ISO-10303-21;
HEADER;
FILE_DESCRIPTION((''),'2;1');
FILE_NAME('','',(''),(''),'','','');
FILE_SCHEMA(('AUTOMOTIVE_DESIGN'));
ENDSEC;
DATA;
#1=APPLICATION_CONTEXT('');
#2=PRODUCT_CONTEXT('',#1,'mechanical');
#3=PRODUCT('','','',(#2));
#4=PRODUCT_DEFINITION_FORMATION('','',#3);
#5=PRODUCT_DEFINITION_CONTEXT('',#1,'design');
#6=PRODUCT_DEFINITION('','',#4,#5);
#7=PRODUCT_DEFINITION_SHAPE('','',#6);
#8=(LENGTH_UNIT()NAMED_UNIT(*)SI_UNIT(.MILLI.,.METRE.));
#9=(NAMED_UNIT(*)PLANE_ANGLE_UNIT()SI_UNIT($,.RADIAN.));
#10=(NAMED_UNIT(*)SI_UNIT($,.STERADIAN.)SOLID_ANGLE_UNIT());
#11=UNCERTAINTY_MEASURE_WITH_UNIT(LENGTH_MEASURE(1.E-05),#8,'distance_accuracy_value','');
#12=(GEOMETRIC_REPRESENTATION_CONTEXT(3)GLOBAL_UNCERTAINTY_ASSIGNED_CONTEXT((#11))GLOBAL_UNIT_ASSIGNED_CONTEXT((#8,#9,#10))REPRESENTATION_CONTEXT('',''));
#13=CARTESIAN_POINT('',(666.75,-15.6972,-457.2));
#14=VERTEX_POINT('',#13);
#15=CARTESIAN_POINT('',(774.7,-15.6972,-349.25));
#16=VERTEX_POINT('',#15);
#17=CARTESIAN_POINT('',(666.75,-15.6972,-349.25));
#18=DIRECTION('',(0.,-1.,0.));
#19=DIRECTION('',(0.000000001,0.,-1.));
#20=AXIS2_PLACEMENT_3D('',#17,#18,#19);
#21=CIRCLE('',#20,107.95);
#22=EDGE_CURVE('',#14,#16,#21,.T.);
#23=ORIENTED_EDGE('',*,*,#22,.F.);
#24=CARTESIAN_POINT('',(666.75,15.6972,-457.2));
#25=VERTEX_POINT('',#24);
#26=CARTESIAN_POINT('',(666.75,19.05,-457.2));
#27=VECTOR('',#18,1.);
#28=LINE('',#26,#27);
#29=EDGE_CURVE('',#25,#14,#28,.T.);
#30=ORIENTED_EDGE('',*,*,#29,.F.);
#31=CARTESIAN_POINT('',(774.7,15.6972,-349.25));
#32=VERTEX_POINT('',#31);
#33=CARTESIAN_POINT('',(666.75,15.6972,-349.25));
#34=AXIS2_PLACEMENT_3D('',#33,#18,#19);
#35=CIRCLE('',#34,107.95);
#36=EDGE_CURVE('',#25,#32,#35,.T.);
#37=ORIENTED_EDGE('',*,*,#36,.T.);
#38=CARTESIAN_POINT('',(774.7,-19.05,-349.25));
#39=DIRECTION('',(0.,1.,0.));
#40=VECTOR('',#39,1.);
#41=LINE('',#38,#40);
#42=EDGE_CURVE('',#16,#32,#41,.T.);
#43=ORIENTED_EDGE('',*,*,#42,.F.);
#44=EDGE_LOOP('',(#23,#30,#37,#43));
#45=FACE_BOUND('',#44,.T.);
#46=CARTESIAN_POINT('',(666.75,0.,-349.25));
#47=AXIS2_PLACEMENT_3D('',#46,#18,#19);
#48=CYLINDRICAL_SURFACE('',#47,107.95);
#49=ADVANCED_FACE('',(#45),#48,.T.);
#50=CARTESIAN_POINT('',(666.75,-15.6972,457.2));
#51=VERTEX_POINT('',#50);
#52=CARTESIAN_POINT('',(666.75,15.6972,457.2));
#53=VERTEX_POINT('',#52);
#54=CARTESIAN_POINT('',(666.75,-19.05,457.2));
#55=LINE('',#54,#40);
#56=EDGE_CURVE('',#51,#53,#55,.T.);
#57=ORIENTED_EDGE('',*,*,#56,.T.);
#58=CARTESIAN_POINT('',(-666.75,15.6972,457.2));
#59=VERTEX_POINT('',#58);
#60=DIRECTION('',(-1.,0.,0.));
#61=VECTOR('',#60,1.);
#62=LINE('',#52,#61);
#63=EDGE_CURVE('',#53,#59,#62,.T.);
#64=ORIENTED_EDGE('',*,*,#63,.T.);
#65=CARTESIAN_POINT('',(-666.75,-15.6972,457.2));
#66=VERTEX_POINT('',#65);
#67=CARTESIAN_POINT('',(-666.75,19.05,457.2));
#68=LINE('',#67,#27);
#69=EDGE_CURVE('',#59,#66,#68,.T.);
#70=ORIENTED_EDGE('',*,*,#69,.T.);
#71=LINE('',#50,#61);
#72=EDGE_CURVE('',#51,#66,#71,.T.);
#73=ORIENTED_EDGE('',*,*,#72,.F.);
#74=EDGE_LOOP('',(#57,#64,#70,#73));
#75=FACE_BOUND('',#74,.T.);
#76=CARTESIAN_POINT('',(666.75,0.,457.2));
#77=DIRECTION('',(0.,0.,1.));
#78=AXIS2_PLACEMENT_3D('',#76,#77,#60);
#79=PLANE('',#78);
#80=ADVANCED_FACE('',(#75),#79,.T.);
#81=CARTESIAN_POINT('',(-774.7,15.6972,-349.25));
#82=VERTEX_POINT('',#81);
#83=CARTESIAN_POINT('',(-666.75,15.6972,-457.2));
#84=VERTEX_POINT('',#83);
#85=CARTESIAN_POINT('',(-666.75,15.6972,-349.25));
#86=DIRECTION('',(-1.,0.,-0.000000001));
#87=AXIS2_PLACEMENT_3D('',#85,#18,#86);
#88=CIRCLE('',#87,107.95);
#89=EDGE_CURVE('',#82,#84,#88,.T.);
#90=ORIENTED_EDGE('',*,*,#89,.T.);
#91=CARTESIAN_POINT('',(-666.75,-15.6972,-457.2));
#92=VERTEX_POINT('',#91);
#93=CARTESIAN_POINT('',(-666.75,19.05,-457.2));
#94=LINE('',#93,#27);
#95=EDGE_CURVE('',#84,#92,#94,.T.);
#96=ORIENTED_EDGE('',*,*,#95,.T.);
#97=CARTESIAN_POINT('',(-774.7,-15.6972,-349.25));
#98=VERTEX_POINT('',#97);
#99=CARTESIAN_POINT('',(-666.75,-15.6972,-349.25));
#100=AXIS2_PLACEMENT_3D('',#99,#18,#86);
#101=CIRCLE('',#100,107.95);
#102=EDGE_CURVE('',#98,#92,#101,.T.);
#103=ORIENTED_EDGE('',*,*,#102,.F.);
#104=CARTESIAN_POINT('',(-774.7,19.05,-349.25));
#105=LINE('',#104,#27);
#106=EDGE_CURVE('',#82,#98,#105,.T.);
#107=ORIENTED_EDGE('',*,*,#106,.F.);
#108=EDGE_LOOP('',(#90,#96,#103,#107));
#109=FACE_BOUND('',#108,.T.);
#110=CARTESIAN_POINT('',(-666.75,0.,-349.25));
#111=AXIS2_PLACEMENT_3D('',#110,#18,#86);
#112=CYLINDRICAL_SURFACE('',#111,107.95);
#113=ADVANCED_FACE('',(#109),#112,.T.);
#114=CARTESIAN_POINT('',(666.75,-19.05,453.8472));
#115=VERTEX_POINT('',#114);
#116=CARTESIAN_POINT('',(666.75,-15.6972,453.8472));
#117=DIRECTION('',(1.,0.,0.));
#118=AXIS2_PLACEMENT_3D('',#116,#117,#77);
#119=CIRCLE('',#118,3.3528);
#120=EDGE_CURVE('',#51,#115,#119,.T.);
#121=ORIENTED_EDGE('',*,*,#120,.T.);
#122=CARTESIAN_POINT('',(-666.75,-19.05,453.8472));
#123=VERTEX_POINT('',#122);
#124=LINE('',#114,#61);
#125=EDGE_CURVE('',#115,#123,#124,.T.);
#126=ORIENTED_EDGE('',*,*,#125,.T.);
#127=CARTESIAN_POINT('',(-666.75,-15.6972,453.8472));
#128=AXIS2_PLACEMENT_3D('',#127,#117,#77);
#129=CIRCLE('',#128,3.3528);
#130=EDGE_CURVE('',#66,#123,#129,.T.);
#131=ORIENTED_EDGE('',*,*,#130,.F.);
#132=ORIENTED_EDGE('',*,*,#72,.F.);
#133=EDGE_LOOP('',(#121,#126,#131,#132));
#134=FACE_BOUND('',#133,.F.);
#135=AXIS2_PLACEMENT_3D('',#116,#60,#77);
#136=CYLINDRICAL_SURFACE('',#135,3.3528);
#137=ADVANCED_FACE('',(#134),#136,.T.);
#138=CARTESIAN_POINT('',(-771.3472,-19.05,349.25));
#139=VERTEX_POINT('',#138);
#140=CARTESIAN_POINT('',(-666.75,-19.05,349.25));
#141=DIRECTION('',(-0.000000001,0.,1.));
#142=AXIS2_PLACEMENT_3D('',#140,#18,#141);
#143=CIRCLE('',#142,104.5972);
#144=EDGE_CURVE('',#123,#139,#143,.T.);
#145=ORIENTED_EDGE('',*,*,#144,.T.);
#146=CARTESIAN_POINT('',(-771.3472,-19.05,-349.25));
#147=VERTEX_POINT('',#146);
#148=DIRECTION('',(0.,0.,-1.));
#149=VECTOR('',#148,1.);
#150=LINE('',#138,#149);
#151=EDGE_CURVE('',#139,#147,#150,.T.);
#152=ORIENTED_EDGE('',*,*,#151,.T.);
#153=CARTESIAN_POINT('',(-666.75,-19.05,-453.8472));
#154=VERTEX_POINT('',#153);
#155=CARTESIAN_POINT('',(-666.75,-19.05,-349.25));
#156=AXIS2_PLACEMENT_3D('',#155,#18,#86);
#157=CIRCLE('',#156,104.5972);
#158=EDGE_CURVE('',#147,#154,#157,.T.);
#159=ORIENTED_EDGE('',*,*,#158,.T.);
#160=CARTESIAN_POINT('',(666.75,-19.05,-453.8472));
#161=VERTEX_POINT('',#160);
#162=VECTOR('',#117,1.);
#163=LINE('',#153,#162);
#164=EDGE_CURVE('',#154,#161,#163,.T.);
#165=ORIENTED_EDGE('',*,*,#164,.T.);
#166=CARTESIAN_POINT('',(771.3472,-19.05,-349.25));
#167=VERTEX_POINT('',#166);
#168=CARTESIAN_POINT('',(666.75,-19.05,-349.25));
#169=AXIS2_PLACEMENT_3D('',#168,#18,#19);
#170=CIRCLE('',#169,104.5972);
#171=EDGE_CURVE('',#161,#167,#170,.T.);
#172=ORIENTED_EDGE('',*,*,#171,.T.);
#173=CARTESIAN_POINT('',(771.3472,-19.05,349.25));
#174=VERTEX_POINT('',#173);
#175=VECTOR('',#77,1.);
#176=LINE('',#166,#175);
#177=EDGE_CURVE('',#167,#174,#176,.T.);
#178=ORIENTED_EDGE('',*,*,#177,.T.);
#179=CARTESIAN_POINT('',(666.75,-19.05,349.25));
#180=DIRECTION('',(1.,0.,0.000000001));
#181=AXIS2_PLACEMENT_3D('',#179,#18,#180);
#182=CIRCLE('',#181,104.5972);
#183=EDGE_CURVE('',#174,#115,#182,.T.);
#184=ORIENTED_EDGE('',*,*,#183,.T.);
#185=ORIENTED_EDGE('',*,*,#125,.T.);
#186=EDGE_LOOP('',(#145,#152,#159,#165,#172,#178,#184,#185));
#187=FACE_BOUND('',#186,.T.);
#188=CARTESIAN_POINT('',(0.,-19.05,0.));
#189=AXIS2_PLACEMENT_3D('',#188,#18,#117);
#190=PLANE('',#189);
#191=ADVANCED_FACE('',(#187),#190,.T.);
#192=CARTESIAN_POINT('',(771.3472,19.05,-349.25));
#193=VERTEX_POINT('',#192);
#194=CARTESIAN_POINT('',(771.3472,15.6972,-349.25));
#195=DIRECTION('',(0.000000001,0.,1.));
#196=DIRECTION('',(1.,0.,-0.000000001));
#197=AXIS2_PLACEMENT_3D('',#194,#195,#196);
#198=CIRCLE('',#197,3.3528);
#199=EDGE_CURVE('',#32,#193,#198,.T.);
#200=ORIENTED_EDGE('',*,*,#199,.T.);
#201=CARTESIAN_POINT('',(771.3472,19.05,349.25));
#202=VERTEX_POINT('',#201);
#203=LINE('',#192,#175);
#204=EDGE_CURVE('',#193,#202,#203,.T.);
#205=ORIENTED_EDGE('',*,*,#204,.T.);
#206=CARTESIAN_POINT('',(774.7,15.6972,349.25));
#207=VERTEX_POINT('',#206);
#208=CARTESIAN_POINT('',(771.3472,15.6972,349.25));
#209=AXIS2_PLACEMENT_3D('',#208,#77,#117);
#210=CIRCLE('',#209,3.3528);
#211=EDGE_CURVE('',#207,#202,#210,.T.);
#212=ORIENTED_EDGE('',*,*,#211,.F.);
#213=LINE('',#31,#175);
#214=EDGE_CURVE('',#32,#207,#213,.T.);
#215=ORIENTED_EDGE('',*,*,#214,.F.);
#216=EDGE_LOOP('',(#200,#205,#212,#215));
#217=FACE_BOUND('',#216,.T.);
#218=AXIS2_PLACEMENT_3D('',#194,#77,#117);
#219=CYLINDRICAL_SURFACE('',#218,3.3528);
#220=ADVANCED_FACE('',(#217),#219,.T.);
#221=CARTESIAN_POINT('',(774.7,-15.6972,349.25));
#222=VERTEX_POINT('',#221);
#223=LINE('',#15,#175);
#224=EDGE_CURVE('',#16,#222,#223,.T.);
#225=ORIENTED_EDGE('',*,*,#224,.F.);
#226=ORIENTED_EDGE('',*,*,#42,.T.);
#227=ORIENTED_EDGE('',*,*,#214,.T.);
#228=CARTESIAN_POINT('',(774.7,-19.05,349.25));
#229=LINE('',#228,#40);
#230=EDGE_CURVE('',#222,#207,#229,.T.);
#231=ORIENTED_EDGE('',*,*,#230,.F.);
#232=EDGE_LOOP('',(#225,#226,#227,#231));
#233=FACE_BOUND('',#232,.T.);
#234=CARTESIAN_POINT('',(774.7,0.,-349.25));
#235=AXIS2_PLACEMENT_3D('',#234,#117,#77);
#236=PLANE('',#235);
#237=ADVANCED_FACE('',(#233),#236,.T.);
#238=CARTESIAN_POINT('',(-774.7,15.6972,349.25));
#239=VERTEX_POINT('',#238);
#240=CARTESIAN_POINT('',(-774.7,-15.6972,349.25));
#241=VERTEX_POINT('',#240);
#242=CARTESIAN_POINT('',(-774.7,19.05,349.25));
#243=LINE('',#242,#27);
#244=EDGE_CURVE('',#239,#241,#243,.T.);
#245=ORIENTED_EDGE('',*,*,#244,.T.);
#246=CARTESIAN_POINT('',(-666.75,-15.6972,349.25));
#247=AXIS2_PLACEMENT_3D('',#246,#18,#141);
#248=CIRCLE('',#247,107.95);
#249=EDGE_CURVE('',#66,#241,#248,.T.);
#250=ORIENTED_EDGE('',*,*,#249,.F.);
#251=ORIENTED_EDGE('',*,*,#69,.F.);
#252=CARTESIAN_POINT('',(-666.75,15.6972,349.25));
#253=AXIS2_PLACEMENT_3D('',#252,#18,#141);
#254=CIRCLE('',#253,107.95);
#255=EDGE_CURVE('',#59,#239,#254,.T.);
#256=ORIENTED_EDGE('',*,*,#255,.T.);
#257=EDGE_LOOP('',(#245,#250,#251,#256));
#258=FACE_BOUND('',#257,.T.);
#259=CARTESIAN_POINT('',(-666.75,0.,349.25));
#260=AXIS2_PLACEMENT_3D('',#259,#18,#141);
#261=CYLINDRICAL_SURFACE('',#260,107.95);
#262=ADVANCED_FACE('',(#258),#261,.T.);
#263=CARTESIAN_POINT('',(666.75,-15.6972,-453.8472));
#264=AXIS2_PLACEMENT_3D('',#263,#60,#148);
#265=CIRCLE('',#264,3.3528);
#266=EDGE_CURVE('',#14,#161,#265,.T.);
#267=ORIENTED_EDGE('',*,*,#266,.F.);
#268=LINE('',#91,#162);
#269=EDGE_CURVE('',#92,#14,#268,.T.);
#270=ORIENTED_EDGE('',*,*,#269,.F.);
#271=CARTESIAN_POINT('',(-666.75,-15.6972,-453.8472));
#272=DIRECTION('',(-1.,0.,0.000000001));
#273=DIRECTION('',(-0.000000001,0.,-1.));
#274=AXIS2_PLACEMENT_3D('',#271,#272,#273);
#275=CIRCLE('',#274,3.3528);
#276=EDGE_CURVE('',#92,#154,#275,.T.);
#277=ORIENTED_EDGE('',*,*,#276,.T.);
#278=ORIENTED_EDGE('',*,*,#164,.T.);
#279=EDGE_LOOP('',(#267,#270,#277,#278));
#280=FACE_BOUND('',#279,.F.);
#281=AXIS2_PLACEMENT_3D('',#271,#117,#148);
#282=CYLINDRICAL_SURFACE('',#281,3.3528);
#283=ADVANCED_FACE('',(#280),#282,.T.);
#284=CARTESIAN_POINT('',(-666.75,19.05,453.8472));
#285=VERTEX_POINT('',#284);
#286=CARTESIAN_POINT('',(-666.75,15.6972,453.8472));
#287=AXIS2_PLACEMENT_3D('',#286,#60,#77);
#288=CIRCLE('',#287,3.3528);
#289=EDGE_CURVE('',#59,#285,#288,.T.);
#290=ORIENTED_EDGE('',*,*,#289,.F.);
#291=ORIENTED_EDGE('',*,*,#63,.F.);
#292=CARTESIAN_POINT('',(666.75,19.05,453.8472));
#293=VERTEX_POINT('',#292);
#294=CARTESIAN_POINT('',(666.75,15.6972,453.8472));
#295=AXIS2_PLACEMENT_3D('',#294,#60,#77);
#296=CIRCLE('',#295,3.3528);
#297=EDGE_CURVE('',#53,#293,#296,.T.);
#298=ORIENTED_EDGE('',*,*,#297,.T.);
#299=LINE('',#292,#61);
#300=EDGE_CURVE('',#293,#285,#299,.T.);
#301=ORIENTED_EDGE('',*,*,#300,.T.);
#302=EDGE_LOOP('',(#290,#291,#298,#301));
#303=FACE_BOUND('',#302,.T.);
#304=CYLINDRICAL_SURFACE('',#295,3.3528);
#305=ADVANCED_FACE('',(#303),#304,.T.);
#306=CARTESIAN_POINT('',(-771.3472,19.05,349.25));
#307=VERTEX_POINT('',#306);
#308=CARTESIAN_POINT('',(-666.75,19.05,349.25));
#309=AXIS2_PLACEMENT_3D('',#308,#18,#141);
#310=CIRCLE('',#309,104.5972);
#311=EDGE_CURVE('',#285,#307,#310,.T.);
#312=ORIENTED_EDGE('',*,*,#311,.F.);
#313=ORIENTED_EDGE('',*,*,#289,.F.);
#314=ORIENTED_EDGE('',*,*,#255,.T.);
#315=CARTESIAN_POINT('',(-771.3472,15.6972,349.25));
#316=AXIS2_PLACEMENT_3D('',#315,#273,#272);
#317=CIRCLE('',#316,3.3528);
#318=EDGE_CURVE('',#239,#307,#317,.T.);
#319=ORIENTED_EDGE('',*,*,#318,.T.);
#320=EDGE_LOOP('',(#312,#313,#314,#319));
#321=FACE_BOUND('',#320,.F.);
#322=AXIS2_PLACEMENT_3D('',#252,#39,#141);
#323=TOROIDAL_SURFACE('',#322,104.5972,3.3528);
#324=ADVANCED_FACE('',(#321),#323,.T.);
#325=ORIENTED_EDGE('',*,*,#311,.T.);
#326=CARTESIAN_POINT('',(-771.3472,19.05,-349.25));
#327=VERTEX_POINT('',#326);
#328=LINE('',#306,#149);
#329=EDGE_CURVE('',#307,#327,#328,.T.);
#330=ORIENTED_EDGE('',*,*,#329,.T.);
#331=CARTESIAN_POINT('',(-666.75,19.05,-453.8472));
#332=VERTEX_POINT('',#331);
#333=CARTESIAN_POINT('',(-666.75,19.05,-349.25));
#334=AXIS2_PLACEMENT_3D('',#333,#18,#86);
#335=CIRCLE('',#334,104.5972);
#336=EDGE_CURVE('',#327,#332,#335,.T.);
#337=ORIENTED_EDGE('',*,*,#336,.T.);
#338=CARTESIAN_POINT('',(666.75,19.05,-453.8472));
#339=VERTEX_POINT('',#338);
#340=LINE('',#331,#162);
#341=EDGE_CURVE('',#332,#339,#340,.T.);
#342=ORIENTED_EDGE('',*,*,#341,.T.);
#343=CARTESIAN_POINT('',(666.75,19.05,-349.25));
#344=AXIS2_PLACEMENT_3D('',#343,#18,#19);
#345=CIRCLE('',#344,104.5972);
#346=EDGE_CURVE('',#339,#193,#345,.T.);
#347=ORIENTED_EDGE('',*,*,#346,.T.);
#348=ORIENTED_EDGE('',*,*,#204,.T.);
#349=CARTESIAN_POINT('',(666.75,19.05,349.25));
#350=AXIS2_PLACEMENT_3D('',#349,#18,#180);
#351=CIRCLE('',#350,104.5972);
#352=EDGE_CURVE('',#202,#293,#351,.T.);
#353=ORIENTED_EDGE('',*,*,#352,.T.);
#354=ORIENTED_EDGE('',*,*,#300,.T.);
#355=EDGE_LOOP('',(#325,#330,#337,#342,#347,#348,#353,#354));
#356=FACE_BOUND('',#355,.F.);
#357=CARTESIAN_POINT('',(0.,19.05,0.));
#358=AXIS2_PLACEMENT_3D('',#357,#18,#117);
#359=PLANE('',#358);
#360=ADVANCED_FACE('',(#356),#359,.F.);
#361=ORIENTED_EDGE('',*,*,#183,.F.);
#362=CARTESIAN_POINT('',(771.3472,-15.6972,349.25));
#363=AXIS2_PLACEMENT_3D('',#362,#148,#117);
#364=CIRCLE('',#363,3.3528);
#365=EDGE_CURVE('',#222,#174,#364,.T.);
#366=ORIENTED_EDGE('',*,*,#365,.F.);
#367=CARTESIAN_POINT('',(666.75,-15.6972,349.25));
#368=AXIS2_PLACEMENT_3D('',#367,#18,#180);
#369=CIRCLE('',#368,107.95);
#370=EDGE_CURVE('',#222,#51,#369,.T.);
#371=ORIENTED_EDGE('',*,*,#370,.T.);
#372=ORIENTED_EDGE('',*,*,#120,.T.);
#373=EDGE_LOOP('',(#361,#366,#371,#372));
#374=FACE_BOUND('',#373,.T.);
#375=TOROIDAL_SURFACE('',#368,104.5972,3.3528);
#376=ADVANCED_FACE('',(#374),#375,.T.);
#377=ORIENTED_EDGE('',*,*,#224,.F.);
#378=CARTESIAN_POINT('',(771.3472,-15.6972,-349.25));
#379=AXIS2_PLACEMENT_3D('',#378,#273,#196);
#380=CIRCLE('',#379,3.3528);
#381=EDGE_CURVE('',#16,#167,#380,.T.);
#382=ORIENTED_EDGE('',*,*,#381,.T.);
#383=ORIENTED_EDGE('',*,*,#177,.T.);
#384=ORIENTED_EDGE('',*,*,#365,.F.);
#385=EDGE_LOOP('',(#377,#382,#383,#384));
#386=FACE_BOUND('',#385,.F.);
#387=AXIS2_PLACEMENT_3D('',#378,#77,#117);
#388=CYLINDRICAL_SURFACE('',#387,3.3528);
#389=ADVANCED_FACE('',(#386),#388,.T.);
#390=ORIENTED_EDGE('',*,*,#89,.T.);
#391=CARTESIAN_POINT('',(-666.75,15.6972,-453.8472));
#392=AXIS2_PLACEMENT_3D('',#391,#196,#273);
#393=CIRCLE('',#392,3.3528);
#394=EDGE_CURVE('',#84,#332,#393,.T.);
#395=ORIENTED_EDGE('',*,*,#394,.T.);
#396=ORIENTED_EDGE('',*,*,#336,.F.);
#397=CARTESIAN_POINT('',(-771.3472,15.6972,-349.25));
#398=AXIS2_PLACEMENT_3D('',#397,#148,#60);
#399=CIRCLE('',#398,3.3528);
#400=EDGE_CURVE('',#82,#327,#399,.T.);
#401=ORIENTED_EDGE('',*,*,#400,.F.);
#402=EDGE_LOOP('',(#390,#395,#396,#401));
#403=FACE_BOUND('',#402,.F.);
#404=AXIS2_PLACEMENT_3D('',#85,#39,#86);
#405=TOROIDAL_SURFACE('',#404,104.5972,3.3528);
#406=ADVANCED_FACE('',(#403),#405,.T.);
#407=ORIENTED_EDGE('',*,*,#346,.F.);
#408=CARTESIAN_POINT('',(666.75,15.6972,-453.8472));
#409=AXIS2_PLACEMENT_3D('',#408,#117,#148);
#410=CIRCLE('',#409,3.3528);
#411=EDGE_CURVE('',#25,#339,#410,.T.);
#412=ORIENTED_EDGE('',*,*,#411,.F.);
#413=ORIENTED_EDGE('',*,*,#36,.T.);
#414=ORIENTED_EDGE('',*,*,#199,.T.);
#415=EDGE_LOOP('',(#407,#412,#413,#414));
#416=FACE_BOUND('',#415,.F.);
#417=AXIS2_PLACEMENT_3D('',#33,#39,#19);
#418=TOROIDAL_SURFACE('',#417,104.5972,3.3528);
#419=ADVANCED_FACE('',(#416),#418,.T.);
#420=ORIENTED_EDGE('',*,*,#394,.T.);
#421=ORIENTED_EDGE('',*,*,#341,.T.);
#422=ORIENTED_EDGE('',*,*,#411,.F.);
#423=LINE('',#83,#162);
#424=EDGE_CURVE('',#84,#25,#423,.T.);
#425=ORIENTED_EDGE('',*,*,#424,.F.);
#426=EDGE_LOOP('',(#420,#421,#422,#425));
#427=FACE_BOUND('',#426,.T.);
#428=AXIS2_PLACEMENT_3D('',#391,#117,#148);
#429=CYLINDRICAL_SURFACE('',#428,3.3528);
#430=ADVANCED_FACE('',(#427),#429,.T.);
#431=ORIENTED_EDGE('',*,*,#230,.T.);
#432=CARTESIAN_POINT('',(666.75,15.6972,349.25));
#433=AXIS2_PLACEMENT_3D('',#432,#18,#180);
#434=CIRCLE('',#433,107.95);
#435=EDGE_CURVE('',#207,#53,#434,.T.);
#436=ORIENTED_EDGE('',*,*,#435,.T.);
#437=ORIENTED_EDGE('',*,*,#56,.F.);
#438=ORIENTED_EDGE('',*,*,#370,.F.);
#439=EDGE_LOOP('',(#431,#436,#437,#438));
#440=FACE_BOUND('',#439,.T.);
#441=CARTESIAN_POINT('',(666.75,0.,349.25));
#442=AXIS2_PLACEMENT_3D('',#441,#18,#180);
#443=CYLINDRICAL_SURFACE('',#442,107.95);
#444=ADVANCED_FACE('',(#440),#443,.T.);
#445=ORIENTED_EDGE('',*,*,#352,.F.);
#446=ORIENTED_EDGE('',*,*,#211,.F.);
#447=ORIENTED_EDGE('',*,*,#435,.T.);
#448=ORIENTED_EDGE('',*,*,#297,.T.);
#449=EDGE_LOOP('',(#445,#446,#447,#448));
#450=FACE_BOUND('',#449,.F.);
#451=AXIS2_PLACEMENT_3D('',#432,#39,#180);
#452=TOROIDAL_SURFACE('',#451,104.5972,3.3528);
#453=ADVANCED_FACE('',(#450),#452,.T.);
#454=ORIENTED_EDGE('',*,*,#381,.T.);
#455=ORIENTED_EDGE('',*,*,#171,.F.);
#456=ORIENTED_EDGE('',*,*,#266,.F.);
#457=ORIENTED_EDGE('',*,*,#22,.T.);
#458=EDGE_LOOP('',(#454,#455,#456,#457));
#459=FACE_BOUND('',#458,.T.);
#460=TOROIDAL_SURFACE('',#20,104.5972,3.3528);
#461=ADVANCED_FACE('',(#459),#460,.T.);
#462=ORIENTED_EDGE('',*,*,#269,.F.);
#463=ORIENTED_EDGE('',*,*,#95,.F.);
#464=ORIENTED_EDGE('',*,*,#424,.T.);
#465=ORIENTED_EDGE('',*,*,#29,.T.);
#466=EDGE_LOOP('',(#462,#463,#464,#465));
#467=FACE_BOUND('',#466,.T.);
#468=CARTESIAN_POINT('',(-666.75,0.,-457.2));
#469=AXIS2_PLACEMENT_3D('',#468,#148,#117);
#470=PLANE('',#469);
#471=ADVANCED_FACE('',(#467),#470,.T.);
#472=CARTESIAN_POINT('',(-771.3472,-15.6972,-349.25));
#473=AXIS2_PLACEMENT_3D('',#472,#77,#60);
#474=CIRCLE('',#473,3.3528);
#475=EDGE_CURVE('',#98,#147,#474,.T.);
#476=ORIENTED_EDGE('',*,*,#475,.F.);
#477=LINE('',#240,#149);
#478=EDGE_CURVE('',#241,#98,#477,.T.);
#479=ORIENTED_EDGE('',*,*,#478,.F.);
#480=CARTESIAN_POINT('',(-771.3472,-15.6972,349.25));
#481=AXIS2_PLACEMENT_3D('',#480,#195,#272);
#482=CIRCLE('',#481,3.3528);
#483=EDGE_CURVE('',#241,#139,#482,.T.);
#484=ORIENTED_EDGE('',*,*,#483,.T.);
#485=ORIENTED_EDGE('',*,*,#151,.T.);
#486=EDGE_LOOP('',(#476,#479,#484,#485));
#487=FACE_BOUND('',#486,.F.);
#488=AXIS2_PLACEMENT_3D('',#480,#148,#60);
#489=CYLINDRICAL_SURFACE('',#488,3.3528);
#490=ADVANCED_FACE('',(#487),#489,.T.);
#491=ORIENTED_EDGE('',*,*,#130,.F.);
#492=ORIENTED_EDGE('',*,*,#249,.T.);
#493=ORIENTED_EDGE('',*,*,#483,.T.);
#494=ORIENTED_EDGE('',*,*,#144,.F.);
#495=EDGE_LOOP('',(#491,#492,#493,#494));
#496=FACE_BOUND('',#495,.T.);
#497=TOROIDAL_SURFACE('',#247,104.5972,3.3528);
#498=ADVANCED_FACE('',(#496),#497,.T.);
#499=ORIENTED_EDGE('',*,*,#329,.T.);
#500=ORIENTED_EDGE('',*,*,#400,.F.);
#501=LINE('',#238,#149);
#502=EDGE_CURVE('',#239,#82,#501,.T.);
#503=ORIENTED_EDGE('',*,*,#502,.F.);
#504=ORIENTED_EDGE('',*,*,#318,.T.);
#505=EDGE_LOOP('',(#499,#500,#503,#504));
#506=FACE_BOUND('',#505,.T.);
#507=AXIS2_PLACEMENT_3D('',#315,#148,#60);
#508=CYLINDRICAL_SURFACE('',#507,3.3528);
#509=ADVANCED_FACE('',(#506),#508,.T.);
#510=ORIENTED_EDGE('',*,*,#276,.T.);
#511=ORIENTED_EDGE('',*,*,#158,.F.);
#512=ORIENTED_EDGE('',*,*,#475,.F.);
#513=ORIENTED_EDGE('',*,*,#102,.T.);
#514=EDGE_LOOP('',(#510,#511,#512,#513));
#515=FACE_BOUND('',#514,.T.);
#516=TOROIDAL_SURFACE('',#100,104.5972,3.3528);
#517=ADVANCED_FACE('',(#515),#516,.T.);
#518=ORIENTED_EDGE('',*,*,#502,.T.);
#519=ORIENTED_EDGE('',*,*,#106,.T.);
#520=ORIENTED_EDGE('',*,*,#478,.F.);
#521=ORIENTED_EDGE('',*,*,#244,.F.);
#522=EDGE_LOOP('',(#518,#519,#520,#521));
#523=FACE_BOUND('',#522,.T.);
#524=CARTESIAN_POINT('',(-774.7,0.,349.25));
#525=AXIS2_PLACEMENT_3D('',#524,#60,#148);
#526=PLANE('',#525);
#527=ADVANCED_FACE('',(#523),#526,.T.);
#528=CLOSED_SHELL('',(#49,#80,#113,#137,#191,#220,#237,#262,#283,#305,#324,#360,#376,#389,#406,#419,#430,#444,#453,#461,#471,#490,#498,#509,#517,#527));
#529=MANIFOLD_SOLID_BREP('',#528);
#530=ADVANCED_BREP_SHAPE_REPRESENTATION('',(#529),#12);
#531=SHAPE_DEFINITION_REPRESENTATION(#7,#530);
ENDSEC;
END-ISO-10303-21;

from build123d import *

# Parameters (mm, degrees)
F1_DEPTH = 19.05
F2_R     = 3.3528


with BuildPart() as f1:
    # F0 (on Front) → F1 (new body, symmetric)
    with BuildSketch(Plane.XZ):
        with BuildLine():
            Line((666.75, 457.2), (-666.75, 457.2))
            ThreePointArc((-666.75, 457.2), (-743.082177, 425.582177), (-774.7, 349.25))
            Line((-774.7, 349.25), (-774.7, -349.25))
            ThreePointArc((-774.7, -349.25), (-743.082177, -425.582177), (-666.75, -457.2))
            Line((-666.75, -457.2), (666.75, -457.2))
            ThreePointArc((666.75, -457.2), (743.082177, -425.582177), (774.7, -349.25))
            Line((774.7, -349.25), (774.7, 349.25))
            ThreePointArc((774.7, 349.25), (743.082177, 425.582177), (666.75, 457.2))
        make_face()
    extrude(amount=F1_DEPTH, both=True)

    # F2
    f2_edges = [f1.edges().sort_by_distance(p)[0] for p in [
        (0, -19.05, 457.2),
        (-743.082177, -19.05, 425.582177),
        (-774.7, -19.05, 0),
        (-743.082177, -19.05, -425.582177),
        (0, -19.05, -457.2),
        (743.082177, -19.05, -425.582177),
        (774.7, -19.05, 0),
        (743.082177, -19.05, 425.582177),
        (0, 19.05, 457.2),
        (-743.082177, 19.05, 425.582177),
        (-774.7, 19.05, 0),
        (-743.082177, 19.05, -425.582177),
        (0, 19.05, -457.2),
        (743.082177, 19.05, -425.582177),
        (774.7, 19.05, 0),
        (743.082177, 19.05, 425.582177),
    ]]
    fillet(f2_edges, radius=F2_R)


solid = f1.part
